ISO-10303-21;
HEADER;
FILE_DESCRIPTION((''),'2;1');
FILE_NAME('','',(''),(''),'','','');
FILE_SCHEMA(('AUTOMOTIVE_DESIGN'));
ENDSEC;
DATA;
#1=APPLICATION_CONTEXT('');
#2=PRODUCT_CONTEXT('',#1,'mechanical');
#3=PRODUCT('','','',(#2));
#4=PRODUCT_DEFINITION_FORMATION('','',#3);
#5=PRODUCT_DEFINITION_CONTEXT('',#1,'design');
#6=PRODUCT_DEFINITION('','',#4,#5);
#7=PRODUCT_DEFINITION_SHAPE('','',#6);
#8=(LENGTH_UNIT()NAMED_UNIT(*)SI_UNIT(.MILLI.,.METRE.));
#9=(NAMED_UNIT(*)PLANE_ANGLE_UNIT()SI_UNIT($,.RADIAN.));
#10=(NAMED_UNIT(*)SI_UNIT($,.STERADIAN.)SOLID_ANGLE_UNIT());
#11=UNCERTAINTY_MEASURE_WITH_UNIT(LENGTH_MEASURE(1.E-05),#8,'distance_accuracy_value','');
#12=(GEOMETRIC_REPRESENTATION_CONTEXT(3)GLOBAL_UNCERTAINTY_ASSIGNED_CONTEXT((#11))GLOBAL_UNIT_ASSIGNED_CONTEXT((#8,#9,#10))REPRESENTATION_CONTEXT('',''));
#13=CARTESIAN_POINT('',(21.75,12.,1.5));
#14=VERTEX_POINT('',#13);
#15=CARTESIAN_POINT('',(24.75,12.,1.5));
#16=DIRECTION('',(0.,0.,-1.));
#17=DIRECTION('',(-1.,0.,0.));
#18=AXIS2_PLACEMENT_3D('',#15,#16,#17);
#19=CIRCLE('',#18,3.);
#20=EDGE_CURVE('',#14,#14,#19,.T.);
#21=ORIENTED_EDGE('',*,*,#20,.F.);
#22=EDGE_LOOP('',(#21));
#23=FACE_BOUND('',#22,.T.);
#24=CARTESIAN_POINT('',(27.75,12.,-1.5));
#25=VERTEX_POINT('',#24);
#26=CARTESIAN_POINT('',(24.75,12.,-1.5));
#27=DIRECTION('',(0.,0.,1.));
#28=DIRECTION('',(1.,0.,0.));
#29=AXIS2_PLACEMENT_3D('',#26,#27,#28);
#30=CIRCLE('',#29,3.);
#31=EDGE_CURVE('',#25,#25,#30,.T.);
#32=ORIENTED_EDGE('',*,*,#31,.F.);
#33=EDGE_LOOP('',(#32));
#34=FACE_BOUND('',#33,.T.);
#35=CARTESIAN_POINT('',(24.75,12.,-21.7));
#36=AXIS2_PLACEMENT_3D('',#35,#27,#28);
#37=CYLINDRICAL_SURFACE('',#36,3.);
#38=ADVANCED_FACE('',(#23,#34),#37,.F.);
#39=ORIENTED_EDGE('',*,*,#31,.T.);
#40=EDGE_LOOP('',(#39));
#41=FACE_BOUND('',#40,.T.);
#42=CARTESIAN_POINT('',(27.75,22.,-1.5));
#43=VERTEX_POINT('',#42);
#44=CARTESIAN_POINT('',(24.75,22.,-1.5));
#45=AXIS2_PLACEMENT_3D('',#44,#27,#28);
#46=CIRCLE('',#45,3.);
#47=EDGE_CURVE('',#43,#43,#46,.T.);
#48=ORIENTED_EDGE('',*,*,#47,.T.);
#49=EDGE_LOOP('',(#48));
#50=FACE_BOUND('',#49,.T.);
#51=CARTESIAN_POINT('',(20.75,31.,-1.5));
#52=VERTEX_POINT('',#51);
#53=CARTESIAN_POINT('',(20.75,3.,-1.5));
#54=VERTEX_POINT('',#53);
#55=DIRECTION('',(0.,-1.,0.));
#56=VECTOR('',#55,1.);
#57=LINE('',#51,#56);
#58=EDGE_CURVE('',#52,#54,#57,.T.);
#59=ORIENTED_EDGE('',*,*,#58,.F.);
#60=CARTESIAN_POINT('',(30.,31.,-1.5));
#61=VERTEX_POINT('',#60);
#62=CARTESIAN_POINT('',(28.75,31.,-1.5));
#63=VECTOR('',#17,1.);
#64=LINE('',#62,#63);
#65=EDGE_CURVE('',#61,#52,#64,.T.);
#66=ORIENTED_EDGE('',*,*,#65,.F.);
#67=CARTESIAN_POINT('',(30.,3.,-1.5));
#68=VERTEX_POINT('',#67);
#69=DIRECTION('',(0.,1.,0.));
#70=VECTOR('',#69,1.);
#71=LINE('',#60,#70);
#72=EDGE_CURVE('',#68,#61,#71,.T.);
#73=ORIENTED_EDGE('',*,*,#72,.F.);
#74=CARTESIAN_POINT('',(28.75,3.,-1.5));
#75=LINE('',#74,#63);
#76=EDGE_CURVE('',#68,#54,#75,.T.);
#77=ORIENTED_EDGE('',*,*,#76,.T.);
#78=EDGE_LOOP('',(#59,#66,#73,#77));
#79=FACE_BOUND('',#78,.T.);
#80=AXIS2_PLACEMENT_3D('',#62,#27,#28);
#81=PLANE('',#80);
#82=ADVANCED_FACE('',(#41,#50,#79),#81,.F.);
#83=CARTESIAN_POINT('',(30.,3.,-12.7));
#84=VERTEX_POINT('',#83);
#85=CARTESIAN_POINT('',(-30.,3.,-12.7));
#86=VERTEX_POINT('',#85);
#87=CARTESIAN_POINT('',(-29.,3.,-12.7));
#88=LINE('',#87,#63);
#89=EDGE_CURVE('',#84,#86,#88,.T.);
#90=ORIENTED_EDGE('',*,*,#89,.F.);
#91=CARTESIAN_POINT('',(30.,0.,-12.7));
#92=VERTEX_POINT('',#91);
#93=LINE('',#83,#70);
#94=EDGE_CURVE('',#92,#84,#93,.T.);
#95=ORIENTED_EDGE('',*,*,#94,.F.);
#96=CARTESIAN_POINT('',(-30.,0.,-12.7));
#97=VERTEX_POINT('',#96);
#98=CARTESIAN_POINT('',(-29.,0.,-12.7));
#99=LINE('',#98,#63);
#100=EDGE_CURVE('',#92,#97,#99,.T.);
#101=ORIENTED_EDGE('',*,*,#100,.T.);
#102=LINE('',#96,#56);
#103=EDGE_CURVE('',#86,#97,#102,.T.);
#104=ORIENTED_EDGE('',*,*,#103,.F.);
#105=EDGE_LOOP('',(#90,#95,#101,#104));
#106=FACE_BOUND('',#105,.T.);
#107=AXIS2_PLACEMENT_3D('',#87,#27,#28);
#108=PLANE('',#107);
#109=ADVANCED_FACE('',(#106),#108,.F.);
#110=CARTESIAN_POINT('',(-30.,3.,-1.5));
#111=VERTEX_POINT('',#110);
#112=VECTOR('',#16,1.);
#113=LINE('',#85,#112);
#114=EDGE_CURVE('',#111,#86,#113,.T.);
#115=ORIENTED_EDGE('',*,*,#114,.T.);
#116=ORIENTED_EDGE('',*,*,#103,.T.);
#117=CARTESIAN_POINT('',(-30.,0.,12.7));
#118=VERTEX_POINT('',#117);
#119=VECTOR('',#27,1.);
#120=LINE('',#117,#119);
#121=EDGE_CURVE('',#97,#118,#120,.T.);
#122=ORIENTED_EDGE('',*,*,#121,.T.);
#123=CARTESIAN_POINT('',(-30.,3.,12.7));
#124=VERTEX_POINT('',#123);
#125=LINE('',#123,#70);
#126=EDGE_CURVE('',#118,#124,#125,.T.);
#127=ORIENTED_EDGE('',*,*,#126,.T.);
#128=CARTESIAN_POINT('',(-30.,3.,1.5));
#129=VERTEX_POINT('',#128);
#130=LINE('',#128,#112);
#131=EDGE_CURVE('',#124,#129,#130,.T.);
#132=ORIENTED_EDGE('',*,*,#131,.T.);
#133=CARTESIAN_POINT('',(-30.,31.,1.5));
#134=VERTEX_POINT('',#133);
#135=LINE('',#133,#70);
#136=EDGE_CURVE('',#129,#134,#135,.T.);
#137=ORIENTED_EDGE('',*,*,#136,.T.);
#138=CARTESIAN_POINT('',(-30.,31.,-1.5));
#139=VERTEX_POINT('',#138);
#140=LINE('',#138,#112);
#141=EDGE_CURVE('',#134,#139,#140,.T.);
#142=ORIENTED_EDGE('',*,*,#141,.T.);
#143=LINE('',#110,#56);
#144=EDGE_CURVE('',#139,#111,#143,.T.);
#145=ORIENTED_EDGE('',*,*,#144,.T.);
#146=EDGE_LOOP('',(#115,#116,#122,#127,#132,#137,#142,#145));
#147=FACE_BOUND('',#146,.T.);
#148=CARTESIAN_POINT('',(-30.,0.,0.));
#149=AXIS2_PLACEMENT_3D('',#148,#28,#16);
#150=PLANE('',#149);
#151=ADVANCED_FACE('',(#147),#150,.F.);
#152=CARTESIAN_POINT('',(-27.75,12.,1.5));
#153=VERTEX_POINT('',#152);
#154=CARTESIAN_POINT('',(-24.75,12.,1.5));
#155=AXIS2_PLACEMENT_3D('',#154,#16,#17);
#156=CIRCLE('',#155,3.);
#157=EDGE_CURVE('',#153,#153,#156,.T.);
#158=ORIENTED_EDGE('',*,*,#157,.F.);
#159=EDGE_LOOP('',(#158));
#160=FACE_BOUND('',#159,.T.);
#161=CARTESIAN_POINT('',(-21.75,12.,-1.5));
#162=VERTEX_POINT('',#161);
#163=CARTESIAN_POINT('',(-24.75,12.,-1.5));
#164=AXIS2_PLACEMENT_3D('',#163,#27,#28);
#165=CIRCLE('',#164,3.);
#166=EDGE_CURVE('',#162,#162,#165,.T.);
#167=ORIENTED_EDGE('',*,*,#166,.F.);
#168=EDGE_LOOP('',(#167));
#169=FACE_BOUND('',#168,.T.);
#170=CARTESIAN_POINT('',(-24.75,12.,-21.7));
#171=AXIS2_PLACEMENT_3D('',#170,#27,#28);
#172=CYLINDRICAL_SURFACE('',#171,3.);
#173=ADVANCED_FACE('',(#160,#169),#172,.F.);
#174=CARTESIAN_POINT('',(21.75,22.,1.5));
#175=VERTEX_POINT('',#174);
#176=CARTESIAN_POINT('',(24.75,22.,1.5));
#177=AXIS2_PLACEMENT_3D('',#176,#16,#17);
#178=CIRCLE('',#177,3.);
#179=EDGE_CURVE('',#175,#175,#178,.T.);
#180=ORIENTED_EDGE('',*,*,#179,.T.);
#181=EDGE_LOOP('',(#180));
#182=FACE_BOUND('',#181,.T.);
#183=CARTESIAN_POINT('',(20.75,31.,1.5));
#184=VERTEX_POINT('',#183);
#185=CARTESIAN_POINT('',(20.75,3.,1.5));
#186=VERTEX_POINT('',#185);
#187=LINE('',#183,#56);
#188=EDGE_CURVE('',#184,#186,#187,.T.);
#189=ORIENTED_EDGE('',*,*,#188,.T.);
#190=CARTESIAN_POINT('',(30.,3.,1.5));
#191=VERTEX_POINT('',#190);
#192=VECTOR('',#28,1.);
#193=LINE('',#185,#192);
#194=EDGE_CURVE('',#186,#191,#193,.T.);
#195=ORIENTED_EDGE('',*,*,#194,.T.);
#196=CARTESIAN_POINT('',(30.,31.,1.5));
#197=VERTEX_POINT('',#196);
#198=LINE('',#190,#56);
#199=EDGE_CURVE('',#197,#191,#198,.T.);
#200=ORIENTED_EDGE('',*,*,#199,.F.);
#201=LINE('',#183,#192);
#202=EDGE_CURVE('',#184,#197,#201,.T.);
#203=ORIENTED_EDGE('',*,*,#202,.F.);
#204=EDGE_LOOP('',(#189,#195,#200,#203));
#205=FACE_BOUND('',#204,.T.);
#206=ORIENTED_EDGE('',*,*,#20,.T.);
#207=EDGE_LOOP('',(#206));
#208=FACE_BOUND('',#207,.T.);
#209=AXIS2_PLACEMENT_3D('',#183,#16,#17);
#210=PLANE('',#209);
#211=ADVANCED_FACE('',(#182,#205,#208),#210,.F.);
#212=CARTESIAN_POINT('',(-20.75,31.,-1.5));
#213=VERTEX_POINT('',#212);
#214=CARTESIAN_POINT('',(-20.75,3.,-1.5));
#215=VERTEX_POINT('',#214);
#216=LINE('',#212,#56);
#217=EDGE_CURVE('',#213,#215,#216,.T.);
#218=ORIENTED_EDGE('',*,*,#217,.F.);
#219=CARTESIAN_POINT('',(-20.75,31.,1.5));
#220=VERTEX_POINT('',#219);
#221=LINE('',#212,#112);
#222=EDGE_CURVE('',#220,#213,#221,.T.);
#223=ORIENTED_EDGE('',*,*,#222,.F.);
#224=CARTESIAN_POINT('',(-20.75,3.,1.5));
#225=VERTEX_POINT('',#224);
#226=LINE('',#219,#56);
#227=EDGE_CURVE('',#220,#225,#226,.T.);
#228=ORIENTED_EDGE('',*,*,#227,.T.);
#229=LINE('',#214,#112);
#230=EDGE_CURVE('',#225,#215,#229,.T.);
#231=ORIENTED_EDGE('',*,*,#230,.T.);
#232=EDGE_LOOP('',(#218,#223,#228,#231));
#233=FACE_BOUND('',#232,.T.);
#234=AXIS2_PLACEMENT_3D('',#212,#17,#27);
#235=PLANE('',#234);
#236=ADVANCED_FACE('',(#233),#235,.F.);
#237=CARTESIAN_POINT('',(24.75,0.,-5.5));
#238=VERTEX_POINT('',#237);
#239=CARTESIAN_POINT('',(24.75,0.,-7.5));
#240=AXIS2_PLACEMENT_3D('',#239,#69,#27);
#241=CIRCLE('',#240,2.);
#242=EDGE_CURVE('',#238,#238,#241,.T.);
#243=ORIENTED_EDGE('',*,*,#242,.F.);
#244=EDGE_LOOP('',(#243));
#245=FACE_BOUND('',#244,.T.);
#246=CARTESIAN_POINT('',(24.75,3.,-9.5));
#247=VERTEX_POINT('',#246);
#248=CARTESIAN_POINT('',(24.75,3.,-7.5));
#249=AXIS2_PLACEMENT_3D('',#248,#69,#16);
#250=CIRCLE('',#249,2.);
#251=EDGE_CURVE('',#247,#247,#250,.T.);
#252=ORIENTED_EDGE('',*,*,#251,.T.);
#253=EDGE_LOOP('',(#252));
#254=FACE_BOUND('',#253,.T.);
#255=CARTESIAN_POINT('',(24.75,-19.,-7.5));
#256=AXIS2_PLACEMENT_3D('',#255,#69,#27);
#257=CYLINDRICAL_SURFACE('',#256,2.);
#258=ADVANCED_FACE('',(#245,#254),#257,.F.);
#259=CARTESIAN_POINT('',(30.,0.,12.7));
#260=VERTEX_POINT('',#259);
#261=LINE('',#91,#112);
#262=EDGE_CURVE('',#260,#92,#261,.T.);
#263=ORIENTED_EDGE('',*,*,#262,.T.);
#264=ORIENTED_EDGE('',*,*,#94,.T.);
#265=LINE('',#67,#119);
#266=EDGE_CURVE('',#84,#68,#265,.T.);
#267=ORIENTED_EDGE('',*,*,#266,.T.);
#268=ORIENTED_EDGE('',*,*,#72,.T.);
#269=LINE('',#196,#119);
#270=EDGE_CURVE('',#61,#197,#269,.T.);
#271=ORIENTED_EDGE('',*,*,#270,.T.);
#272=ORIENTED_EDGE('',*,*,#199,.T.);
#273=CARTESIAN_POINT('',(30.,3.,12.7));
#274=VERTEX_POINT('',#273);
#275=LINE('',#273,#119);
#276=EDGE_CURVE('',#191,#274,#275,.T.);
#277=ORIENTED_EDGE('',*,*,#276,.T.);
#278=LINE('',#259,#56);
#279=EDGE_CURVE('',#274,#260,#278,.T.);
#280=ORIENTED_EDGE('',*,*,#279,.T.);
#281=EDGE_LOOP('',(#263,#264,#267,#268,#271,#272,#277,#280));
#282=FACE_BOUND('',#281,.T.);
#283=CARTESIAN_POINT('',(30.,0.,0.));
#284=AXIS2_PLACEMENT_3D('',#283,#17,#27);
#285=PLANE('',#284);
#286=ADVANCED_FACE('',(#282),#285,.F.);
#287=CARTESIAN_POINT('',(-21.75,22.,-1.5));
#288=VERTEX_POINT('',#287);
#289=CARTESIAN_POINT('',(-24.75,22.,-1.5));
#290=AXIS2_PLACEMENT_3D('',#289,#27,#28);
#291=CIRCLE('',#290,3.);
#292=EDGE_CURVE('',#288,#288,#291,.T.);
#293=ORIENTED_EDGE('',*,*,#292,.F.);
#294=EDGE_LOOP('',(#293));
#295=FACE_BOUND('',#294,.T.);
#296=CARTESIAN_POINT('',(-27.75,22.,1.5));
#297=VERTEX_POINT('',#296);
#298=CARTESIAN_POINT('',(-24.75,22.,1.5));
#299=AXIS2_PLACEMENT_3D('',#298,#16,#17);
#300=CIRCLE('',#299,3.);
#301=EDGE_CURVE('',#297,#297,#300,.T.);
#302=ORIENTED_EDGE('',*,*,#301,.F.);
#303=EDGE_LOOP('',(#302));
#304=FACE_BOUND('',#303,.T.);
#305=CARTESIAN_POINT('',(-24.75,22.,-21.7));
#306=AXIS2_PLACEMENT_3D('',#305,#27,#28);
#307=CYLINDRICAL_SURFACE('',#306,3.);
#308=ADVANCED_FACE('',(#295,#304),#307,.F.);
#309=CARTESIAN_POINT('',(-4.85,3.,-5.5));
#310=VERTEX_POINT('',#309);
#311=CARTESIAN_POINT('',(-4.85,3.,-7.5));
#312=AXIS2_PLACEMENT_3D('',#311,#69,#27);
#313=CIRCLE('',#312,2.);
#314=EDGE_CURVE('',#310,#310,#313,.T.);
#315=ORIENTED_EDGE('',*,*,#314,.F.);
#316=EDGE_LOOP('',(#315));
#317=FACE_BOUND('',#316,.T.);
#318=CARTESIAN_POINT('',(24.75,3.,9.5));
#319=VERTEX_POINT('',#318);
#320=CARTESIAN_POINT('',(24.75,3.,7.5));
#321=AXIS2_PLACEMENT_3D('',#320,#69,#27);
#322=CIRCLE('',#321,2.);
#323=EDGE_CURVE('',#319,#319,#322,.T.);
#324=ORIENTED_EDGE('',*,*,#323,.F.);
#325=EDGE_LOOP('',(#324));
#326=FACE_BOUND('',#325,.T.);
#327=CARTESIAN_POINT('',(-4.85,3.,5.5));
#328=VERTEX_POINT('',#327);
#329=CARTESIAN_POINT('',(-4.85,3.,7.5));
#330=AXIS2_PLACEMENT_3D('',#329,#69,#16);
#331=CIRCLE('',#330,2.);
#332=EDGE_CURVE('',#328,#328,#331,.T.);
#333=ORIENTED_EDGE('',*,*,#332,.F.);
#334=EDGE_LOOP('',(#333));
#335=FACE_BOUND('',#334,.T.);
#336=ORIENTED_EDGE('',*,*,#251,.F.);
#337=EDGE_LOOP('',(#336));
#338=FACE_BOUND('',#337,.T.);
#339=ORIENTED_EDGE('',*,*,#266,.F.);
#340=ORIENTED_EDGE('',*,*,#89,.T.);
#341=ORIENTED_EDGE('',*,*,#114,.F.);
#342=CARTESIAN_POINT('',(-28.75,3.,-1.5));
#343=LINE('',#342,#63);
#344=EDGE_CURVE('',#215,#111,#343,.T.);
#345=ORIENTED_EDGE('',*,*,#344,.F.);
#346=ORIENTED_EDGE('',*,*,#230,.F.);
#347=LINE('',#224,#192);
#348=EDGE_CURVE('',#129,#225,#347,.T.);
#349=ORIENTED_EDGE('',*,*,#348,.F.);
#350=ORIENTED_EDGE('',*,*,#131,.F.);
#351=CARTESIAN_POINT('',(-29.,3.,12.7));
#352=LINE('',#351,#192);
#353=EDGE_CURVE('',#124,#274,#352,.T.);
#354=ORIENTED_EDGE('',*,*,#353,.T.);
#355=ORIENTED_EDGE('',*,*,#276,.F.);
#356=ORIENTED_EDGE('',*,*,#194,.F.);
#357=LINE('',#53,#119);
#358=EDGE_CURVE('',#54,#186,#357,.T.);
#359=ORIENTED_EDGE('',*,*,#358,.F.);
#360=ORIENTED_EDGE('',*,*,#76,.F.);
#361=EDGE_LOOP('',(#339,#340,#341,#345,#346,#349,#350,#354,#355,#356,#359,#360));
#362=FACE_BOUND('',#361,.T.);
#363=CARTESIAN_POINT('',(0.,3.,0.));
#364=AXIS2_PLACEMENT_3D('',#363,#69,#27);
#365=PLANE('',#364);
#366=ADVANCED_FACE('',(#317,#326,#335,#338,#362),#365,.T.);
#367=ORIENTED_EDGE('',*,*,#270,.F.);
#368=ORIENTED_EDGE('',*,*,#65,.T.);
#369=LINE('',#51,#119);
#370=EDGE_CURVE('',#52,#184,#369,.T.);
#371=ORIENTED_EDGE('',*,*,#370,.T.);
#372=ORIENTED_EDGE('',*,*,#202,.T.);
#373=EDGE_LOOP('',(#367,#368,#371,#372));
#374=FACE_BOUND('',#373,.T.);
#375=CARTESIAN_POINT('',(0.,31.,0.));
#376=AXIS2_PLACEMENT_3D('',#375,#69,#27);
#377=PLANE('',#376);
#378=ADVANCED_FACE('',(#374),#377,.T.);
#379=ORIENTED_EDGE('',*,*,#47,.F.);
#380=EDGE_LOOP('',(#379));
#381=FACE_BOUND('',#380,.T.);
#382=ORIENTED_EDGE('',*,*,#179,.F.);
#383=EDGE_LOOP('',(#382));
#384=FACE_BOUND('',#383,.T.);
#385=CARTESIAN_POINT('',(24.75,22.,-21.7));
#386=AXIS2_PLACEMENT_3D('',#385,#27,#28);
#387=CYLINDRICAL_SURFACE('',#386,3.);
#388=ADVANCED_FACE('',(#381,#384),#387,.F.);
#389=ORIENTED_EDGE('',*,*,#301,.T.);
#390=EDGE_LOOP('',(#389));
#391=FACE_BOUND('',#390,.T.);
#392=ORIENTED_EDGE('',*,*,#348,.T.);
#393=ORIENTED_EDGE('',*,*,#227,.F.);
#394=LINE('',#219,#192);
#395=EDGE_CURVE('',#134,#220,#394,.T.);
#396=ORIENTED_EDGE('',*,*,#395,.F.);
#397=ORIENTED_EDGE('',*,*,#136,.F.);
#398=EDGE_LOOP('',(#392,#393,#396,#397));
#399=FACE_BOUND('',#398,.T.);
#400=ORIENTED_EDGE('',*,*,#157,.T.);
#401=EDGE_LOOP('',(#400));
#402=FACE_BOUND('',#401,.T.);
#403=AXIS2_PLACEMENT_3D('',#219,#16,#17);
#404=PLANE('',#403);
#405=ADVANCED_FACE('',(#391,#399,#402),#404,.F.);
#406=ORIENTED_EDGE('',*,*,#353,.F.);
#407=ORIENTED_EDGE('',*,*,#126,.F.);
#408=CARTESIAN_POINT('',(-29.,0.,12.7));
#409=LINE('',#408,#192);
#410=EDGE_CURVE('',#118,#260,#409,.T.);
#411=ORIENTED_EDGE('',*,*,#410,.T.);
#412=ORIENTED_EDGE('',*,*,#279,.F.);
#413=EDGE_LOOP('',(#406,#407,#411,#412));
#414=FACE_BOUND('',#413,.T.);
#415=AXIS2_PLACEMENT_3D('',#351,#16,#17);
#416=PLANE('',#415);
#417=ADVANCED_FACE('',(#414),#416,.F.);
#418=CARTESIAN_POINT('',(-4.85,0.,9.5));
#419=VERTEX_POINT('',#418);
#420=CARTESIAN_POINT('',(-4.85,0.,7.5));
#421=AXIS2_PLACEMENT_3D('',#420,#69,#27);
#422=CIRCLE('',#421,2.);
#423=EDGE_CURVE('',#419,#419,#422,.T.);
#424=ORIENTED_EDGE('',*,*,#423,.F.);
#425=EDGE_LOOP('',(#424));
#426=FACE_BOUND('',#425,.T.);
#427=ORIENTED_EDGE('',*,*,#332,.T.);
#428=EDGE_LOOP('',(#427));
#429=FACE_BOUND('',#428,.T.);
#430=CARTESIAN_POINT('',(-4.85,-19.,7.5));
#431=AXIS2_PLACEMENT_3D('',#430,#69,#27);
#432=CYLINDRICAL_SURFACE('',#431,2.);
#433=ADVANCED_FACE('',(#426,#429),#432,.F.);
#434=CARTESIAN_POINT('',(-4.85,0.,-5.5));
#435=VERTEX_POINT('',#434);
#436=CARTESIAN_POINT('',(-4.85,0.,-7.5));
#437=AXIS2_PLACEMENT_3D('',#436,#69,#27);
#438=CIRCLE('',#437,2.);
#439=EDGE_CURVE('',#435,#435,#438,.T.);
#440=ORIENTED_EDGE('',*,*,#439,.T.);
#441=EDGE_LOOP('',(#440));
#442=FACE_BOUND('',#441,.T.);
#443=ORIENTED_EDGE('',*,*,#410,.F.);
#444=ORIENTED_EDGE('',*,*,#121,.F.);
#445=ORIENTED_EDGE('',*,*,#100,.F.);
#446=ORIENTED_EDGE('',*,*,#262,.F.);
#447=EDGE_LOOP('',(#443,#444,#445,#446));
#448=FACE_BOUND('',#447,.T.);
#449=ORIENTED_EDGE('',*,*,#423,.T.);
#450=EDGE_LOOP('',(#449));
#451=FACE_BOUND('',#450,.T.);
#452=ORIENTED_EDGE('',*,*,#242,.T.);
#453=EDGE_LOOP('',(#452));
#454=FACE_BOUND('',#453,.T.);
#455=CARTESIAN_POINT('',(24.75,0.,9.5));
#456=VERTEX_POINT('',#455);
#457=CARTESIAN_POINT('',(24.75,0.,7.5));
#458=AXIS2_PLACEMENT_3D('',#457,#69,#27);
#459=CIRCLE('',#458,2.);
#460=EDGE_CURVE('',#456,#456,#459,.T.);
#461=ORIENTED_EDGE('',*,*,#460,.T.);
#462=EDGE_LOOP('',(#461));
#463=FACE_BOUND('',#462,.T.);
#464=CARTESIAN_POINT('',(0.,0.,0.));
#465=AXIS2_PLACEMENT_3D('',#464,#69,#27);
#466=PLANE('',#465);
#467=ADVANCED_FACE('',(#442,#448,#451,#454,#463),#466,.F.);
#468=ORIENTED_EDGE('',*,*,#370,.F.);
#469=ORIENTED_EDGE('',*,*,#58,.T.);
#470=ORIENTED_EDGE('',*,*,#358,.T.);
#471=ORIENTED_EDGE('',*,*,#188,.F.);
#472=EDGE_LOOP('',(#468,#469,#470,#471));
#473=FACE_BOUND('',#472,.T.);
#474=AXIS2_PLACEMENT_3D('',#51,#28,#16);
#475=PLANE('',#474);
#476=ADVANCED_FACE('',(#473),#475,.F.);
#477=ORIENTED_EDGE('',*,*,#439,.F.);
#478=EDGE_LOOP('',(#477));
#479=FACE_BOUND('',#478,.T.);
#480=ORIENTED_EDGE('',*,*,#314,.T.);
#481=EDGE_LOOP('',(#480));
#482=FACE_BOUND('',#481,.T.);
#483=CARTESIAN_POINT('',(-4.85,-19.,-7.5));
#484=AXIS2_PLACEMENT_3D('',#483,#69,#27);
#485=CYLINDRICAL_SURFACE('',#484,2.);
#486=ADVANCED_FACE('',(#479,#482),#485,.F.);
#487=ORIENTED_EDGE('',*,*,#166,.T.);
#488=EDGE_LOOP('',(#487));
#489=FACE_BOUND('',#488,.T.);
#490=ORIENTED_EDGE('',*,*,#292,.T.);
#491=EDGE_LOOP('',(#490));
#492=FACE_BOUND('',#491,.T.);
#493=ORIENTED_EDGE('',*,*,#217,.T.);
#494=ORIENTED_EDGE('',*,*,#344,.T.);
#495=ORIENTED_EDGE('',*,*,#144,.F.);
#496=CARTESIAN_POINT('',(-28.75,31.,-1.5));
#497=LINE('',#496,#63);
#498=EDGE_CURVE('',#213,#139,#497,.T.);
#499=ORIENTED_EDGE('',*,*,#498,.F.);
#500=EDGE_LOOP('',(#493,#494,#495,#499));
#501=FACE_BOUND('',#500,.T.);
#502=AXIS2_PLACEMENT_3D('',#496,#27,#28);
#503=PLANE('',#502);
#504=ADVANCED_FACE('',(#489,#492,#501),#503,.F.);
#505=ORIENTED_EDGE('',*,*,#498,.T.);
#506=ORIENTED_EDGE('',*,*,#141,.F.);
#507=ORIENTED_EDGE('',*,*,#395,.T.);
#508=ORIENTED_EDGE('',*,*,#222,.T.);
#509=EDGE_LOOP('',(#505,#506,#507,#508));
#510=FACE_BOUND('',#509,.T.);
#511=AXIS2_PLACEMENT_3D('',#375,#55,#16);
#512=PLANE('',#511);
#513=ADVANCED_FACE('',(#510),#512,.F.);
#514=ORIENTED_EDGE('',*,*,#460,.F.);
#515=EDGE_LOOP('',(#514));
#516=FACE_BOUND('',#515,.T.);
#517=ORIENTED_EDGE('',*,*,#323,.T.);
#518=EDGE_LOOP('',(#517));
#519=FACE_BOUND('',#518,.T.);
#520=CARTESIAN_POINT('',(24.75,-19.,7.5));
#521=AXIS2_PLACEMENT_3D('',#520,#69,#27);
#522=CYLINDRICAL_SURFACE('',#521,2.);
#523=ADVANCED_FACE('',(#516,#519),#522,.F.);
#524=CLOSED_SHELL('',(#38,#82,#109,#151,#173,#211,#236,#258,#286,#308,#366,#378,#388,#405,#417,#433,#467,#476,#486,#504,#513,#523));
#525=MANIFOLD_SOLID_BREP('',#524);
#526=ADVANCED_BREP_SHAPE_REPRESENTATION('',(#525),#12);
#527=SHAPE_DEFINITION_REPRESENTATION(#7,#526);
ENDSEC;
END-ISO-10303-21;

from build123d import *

# Parameters (mm, degrees)
SKETCH_1_W          = 58
SKETCH_1_H          = 25.4
EXTRUDE_1_DEPTH     = 3
SKETCH_2_W          = 8
SKETCH_2_H          = 3
EXTRUDE_2_DEPTH     = 28
SKETCH_3_R          = 3
CUT_EXTRUDE_1_DEPTH = 12
SKETCH_4_R          = 2
CUT_EXTRUDE_2_DEPTH = 22
SKETCH_8_W          = 8
SKETCH_8_H          = 3
CUT_EXTRUDE_3_DEPTH = 28
EXTRUDE_3_DEPTH     = 1
EXTRUDE_4_DEPTH     = 1


with BuildPart() as part:
    # 草图1 → 凸台-拉伸1 (new body)
    with BuildSketch(Plane(origin=(0, 0, 0), x_dir=(1, 0, 0), z_dir=(0, 1, 0))):
        Rectangle(SKETCH_1_W, SKETCH_1_H)
    extrude(amount=EXTRUDE_1_DEPTH)

    # 草图2 → 凸台-拉伸2 (add)
    with BuildSketch(Plane(origin=(0, 3, 0), x_dir=(1, 0, 0), z_dir=(0, 1, 0))):
        with Locations((-24.75, 11.2)):
            Rectangle(SKETCH_2_W, SKETCH_2_H)
        with Locations((24.75, 11.2)):
            Rectangle(SKETCH_2_W, SKETCH_2_H)
        with Locations((-24.75, 0)):
            Rectangle(SKETCH_2_W, SKETCH_2_H)
        with Locations((24.75, 0)):
            Rectangle(SKETCH_2_W, SKETCH_2_H)
    extrude(amount=EXTRUDE_2_DEPTH)

    # 草图3 → 切除-拉伸1 (cut, symmetric)
    with BuildSketch(Plane.XY.offset(-9.7)):
        with Locations((-24.75, 12)):
            Circle(SKETCH_3_R)
        with Locations((-24.75, 22)):
            Circle(SKETCH_3_R)
        with Locations((24.75, 12)):
            Circle(SKETCH_3_R)
        with Locations((24.75, 22)):
            Circle(SKETCH_3_R)
    extrude(amount=CUT_EXTRUDE_1_DEPTH, both=True, mode=Mode.SUBTRACT)

    # 草图4 → 切除-拉伸2 (cut)
    with BuildSketch(Plane(origin=(0, 3, 0), x_dir=(1, 0, 0), z_dir=(0, 1, 0))):
        with Locations((24.75, -7.5)):
            Circle(SKETCH_4_R)
        with Locations((24.75, 7.5)):
            Circle(SKETCH_4_R)
        with Locations((-4.85, 7.5)):
            Circle(SKETCH_4_R)
        with Locations((-4.85, -7.5)):
            Circle(SKETCH_4_R)
    extrude(amount=-CUT_EXTRUDE_2_DEPTH, mode=Mode.SUBTRACT)

    # 草图8 → 切除-拉伸3 (cut)
    with BuildSketch(Plane(origin=(0, 31, 0), x_dir=(1, 0, 0), z_dir=(0, 1, 0))):
        with Locations((-24.75, 11.2)):
            Rectangle(SKETCH_8_W, SKETCH_8_H)
        with Locations((24.75, 11.2)):
            Rectangle(SKETCH_8_W, SKETCH_8_H)
    extrude(amount=-CUT_EXTRUDE_3_DEPTH, mode=Mode.SUBTRACT)

    # 草图9 → 凸台-拉伸3 (add, symmetric)
    with BuildSketch(Plane(origin=(29, 0, 0), x_dir=(0, 0, -1), z_dir=(1, 0, 0))):
        Polygon((-12.7, 3), (-1.5, 3), (-1.5, 31), (1.5, 31), (1.5, 3), (12.7, 3), (12.7, 0), (-12.7, 0), align=None)
    extrude(amount=EXTRUDE_3_DEPTH, both=True)

    # 草图10 → 凸台-拉伸4 (add, symmetric)
    with BuildSketch(Plane.ZY.offset(29)):
        Polygon((-12.7, 3), (-1.5, 3), (-1.5, 31), (1.5, 31), (1.5, 3), (12.7, 3), (12.7, 0), (-12.7, 0), align=None)
    extrude(amount=EXTRUDE_4_DEPTH, both=True)


solid = part.part
